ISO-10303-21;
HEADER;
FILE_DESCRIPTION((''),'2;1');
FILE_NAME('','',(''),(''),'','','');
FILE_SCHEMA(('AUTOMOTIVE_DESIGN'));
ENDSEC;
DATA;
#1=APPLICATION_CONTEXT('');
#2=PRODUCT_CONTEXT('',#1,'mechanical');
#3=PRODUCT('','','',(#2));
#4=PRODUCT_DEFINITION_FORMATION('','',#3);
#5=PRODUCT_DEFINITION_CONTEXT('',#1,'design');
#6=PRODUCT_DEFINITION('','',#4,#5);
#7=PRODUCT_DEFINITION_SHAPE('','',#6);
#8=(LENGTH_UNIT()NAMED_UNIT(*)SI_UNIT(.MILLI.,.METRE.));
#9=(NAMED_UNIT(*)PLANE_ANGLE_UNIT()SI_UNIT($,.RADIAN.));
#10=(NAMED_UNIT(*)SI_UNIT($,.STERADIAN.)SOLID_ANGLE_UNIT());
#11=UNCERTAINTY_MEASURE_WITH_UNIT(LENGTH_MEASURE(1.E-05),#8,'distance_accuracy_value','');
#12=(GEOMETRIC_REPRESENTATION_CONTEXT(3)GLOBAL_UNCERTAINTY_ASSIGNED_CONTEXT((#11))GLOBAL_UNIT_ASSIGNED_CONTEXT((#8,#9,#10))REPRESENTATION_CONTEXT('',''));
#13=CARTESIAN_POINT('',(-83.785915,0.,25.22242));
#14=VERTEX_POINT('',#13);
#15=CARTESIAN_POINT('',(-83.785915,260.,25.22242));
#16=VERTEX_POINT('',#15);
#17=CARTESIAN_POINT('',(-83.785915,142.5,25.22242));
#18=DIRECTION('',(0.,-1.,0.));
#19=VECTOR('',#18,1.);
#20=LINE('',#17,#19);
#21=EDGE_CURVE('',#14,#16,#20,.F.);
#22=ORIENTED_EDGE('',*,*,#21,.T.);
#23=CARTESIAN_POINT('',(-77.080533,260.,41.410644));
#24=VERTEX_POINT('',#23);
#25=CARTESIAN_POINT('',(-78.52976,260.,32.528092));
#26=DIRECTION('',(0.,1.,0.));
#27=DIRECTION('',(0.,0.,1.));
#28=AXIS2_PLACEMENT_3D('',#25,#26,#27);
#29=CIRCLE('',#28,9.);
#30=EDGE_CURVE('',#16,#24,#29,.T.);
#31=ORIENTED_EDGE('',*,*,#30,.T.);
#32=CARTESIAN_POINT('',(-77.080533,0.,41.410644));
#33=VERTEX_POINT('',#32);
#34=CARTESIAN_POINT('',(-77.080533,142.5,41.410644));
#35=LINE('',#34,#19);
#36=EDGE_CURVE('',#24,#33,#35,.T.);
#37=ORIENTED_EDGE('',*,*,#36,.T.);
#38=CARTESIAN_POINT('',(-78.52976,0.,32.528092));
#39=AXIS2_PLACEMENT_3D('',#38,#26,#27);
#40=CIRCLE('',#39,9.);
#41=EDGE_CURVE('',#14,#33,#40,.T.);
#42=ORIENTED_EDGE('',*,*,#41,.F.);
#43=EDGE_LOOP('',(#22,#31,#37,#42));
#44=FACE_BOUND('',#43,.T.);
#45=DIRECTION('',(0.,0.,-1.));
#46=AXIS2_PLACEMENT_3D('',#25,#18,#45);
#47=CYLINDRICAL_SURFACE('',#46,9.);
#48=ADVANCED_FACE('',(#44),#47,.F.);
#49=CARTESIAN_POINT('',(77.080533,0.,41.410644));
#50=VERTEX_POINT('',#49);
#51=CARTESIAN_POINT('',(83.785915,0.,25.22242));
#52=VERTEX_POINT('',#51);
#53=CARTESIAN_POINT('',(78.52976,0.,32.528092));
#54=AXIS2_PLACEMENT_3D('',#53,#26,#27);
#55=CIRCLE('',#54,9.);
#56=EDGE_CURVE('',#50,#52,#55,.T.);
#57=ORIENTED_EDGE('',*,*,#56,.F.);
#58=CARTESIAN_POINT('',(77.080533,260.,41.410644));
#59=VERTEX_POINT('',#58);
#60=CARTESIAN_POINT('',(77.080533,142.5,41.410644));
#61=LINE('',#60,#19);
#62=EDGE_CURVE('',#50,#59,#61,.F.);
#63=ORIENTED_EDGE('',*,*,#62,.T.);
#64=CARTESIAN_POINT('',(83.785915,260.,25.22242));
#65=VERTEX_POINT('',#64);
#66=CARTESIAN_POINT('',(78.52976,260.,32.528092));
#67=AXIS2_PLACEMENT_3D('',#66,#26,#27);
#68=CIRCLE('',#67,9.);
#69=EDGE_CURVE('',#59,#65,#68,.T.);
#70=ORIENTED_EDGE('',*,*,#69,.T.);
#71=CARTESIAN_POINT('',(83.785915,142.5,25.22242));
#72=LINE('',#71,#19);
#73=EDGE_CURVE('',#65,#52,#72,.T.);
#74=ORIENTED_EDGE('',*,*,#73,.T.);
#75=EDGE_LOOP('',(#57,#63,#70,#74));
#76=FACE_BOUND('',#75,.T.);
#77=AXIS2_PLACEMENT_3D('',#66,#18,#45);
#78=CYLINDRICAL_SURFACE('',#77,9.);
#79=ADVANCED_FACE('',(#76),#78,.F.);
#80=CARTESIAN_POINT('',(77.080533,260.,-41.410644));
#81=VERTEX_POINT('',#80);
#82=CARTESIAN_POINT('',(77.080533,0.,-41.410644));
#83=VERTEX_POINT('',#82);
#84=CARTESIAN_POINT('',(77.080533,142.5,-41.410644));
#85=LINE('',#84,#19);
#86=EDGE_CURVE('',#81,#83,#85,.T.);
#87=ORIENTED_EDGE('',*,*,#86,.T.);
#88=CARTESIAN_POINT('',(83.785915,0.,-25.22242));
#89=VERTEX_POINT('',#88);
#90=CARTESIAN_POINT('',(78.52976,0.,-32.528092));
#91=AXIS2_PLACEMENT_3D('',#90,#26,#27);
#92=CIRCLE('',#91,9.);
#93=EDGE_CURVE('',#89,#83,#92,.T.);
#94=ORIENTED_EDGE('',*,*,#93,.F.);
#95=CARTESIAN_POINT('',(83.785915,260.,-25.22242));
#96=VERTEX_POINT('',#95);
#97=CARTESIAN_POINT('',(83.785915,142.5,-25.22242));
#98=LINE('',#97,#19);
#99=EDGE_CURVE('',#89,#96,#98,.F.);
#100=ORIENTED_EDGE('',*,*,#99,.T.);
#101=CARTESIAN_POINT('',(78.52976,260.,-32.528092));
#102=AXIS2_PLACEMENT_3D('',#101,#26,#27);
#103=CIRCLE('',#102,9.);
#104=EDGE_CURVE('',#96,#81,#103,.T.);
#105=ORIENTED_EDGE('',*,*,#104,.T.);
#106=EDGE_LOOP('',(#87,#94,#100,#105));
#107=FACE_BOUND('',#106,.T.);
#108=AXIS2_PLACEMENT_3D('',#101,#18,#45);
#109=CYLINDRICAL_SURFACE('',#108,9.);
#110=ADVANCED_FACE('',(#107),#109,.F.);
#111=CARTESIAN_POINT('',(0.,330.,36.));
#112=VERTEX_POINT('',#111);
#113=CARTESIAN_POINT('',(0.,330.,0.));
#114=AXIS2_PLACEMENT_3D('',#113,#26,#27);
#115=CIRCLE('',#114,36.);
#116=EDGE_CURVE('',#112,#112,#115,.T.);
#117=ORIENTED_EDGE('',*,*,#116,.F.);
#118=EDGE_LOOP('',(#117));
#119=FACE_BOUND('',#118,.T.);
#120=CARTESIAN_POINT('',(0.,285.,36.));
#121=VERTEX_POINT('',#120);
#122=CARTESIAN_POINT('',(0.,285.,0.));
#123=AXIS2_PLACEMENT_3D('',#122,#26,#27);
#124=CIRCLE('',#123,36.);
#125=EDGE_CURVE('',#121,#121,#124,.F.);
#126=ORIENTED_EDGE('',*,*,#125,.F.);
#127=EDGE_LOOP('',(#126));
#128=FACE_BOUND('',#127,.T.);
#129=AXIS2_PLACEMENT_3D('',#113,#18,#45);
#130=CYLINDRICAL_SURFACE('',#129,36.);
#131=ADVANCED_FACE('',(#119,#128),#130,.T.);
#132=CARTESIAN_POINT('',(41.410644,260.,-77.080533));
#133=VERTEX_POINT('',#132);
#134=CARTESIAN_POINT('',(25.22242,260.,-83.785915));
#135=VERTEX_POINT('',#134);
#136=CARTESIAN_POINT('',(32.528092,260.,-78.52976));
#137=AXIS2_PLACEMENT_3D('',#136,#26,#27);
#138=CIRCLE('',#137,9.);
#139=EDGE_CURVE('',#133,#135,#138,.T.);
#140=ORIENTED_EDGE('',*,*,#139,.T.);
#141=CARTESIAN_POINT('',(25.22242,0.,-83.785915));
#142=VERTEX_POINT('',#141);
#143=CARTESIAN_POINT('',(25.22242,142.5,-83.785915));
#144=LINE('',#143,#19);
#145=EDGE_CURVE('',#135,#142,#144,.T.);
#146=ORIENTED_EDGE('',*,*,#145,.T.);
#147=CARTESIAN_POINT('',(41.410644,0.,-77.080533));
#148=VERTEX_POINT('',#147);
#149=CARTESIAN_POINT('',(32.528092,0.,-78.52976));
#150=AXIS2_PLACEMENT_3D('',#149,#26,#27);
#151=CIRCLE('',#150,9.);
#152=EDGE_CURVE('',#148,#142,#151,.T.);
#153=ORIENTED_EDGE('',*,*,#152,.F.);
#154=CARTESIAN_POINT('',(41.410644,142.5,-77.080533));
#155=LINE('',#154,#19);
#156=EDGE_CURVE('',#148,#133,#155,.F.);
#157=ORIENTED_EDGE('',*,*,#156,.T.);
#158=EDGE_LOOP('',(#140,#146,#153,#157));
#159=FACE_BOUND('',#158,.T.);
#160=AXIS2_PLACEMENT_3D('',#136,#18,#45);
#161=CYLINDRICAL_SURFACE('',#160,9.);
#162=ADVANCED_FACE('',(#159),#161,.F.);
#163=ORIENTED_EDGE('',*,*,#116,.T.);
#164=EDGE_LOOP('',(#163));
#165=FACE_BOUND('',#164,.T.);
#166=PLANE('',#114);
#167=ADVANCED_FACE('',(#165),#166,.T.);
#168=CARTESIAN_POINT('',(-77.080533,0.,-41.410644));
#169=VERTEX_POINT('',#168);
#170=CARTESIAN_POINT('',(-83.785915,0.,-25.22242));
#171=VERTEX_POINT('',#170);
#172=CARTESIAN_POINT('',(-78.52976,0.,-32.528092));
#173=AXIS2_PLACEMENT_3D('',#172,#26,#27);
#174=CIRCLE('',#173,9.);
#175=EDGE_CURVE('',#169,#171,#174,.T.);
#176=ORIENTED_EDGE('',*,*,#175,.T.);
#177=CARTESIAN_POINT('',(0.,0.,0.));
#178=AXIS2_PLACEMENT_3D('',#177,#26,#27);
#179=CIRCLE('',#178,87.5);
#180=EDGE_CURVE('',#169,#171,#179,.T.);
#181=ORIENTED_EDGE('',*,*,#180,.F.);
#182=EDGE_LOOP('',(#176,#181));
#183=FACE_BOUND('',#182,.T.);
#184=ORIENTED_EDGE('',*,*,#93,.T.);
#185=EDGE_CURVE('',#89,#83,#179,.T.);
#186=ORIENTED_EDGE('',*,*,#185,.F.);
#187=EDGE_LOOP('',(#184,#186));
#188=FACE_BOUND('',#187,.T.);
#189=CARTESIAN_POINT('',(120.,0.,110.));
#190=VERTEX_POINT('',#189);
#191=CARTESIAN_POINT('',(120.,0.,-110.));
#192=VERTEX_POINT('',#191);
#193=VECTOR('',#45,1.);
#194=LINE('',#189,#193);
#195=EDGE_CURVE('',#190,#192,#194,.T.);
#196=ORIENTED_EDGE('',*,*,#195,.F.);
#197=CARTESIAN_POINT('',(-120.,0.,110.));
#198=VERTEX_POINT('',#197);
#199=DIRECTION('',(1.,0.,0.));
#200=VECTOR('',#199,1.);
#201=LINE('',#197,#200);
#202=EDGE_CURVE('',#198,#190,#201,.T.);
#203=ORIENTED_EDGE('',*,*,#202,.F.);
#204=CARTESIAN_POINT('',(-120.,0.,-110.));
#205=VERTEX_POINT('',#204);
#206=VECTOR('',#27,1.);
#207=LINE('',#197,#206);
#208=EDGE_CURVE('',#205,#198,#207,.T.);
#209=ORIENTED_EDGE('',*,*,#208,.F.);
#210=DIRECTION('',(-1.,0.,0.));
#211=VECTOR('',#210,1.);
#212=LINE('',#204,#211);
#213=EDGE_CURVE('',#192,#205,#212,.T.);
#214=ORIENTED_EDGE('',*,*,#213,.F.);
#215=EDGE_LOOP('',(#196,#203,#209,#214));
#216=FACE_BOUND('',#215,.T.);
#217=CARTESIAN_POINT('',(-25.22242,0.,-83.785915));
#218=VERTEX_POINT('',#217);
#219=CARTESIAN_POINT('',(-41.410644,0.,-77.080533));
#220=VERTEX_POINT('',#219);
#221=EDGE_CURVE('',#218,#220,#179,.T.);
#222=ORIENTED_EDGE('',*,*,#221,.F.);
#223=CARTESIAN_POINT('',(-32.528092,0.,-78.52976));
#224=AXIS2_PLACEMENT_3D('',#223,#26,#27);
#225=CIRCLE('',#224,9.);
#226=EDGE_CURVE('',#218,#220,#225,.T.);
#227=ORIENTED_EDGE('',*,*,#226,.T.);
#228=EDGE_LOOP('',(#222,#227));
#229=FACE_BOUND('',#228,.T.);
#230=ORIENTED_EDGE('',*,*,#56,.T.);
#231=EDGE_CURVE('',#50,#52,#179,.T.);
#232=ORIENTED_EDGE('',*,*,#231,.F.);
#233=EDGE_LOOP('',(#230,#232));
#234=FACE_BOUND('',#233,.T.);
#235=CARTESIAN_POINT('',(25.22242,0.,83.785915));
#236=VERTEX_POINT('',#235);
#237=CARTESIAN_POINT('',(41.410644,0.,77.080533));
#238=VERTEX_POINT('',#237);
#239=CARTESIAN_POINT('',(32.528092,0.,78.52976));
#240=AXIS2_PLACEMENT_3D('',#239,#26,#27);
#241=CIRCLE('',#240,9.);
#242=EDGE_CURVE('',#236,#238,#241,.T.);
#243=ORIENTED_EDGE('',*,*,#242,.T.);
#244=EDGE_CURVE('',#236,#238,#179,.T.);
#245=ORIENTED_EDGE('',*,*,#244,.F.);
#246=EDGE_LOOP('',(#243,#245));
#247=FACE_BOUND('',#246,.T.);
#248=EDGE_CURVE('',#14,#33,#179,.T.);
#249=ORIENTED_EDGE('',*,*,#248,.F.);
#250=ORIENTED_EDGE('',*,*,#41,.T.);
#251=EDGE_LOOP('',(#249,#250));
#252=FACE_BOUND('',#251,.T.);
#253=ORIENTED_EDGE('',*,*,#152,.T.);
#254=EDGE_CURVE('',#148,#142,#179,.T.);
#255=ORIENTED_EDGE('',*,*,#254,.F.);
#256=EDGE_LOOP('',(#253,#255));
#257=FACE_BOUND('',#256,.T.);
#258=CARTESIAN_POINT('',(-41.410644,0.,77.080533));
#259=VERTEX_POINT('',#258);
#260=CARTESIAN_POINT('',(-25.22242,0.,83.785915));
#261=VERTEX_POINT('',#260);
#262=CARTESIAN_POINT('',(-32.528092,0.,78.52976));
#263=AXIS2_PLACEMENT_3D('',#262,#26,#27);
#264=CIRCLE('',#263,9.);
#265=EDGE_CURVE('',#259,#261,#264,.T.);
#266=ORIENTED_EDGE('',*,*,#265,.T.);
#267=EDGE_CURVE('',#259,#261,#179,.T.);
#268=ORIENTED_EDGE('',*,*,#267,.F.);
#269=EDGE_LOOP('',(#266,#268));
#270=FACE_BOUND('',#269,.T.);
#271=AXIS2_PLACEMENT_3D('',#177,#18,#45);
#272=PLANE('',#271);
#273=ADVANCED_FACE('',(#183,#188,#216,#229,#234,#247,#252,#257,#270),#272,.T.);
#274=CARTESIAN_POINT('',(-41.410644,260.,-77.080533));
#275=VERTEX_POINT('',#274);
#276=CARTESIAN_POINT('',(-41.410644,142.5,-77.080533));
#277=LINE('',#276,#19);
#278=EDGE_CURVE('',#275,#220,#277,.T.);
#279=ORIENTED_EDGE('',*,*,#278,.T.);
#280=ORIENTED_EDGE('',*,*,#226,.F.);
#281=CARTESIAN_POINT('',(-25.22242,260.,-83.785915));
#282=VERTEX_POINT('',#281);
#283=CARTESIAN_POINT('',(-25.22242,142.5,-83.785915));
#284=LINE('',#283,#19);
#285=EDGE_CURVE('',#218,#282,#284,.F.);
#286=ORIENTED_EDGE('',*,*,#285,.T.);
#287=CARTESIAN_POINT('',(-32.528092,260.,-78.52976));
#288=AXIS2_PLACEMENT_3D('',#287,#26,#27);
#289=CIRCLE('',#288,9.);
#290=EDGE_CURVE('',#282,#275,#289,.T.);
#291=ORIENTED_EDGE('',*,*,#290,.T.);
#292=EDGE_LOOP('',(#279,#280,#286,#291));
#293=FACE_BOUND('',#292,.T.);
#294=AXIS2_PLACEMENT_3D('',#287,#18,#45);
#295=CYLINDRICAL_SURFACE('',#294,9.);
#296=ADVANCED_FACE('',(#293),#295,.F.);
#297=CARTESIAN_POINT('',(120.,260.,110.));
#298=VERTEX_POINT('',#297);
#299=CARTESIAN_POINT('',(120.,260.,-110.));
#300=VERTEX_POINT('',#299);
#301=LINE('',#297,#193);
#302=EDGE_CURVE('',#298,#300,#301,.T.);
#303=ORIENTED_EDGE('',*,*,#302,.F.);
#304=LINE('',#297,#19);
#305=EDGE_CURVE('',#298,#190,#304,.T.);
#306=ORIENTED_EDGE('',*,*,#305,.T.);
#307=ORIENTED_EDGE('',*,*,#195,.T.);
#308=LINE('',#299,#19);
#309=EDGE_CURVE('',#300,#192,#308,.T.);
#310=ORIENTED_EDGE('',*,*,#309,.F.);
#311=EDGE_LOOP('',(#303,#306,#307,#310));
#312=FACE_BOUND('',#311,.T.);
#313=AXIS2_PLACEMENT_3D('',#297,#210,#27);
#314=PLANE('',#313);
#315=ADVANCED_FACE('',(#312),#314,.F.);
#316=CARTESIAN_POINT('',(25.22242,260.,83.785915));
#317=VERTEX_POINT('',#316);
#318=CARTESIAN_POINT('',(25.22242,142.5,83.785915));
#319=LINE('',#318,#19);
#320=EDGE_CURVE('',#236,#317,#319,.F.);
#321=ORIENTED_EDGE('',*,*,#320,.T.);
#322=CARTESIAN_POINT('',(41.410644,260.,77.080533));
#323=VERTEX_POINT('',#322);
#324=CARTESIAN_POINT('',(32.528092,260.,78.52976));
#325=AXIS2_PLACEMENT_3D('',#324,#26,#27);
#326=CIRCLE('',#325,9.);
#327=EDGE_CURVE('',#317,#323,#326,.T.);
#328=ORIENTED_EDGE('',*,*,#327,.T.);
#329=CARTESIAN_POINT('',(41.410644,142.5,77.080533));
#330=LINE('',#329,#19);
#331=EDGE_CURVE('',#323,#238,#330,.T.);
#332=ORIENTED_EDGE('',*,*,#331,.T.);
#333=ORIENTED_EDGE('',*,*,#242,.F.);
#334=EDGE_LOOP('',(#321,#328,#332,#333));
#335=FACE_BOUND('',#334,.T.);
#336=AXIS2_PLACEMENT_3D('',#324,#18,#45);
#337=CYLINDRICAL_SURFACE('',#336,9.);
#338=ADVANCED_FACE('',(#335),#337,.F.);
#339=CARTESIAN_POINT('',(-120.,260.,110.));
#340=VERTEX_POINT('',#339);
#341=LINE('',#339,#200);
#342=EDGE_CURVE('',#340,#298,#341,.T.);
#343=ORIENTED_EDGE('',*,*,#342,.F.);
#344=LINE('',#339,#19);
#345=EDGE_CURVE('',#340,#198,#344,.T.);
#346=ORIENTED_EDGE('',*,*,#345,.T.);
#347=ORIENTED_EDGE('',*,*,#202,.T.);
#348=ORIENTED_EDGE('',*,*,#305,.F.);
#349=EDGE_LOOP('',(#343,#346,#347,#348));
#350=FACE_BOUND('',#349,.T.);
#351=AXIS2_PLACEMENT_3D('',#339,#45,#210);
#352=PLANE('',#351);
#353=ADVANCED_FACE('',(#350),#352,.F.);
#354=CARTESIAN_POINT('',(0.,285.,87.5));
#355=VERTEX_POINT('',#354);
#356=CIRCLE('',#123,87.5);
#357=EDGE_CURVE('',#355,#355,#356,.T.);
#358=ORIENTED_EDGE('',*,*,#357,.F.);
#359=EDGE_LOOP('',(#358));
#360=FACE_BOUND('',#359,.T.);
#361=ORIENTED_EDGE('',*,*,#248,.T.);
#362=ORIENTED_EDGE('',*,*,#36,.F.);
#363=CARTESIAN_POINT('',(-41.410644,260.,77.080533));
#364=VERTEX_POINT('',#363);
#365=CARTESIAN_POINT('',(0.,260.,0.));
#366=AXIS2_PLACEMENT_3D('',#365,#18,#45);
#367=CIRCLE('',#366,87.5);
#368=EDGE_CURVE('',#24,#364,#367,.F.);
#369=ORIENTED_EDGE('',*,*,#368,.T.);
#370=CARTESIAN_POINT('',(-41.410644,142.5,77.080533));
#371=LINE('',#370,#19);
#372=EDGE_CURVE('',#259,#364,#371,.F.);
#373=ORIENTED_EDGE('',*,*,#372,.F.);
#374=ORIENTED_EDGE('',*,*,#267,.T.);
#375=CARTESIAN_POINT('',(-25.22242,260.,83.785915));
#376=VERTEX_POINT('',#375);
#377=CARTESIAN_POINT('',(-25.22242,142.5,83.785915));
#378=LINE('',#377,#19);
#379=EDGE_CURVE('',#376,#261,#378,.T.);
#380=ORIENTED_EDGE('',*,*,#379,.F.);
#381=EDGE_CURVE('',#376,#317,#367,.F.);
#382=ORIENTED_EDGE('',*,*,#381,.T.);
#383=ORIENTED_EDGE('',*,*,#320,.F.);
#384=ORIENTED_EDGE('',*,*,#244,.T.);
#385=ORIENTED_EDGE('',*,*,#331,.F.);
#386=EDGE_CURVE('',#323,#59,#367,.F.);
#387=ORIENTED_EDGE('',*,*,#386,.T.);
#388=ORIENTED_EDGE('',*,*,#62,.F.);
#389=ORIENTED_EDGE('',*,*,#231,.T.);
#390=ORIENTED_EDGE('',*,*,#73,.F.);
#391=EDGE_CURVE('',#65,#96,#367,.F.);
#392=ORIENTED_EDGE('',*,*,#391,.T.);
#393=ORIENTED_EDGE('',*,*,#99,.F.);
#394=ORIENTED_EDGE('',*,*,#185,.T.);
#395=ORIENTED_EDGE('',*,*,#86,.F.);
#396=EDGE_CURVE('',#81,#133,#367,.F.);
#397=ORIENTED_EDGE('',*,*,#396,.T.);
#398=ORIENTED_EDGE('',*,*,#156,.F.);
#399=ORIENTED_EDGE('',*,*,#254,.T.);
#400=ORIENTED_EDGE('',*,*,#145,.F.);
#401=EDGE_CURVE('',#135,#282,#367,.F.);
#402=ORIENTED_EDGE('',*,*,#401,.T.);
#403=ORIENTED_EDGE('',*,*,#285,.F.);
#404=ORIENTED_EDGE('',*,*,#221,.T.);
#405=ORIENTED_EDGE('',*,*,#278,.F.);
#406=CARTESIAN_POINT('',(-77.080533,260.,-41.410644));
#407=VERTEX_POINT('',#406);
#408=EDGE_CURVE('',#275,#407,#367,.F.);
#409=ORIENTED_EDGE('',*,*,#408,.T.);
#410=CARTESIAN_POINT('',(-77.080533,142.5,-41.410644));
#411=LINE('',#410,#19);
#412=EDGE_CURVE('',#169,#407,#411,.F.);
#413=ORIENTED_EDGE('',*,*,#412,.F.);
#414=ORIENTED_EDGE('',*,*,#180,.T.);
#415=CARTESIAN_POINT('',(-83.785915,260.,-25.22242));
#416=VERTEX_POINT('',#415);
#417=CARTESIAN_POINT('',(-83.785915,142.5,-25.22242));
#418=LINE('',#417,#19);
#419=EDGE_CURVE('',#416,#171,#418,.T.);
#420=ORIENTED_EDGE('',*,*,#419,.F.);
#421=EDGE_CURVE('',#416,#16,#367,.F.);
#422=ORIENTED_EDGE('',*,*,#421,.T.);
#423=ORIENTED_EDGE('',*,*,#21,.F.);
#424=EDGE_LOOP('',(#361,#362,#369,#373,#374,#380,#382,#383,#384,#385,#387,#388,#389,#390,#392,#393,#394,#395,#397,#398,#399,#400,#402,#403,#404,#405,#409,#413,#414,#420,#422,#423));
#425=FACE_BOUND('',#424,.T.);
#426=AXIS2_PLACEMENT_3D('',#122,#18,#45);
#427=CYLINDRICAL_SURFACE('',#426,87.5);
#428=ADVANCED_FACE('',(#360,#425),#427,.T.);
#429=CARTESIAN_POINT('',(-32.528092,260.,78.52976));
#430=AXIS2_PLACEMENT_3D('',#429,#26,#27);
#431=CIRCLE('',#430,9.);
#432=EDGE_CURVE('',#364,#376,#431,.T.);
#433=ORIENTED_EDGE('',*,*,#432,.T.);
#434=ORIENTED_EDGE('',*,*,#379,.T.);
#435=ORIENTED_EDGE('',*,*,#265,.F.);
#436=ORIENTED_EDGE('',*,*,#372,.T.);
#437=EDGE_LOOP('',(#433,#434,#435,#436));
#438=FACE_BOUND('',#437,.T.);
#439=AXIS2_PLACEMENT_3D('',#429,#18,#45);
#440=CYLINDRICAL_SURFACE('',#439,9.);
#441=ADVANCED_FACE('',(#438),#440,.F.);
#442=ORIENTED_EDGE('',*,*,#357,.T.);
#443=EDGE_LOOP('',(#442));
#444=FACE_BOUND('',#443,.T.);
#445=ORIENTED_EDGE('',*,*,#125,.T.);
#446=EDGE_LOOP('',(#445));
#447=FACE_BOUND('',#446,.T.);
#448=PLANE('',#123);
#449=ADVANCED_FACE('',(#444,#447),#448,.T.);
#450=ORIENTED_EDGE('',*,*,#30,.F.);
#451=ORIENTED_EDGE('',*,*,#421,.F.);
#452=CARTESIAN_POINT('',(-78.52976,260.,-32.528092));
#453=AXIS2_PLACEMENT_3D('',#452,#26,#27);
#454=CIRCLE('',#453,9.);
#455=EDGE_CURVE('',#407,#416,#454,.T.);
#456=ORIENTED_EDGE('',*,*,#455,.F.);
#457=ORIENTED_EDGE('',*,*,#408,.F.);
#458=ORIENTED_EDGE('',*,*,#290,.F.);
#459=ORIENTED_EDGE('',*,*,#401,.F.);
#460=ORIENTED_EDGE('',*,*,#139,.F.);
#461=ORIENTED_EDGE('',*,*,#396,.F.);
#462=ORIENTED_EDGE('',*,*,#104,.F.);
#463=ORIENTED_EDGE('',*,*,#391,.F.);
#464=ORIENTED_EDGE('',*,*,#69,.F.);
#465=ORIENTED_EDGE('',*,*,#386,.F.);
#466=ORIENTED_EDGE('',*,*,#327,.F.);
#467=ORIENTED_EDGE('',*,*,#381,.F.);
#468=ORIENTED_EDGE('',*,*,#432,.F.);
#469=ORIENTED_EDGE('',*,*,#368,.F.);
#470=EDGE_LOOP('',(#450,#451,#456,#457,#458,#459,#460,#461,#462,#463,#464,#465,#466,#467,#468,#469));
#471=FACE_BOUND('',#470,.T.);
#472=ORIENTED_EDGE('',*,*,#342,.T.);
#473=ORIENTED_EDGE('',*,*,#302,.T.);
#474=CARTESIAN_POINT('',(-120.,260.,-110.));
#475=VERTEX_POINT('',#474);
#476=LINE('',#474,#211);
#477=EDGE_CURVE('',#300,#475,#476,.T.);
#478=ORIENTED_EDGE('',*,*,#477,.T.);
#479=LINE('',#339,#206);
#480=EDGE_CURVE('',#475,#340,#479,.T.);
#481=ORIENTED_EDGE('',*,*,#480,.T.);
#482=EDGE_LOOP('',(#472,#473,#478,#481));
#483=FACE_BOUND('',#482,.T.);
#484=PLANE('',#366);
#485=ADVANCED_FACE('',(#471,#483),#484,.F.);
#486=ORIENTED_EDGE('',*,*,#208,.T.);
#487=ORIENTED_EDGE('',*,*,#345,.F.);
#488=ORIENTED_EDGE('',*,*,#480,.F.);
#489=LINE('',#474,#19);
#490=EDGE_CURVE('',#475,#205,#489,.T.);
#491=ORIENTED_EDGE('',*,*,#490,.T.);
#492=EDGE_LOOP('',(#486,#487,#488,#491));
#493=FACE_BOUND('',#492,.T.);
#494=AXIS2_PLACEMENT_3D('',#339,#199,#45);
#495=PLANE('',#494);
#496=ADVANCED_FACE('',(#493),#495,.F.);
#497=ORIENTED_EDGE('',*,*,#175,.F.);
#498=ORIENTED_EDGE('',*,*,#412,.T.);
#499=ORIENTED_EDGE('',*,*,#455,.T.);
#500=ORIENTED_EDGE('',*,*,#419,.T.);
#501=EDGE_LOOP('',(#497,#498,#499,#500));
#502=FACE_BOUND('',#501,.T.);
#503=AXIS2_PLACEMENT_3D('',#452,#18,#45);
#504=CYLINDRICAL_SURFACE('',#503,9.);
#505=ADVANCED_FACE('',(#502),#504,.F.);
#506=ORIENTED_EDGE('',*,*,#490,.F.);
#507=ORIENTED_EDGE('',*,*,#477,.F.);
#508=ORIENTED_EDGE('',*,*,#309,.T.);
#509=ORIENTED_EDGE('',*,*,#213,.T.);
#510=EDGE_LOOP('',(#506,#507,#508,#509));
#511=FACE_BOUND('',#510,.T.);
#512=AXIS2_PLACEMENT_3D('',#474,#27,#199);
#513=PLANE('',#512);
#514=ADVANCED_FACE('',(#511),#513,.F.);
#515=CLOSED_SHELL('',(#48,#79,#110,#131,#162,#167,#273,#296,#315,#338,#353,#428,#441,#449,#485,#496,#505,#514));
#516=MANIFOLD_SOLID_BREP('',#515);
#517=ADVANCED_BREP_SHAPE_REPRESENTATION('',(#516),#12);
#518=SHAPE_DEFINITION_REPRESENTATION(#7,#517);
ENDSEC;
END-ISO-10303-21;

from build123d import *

# Parameters (mm, degrees)
F_01_HOUSING_PROFILE_W        = 240
F_01_HOUSING_PROFILE_H        = 220
F_01_HOUSING_PROFILE_R        = 9
F_01_HOUSING_BLOCK_DEPTH      = 260
F_02_FACE_BOSS_PROFILE_R      = 87.5
F_02_FACE_LOCATING_BOSS_DEPTH = 285
F_03_OUTPUT_SHAFT_PROFILE_R   = 36
F_03_OUTPUT_SHAFT_DEPTH       = 330


with BuildPart() as part:
    # 01_Housing_Profile → 01_Housing_Block (new body)
    with BuildSketch(Plane(origin=(0, 0, 0), x_dir=(1, 0, 0), z_dir=(0, 1, 0))):
        Rectangle(F_01_HOUSING_PROFILE_W, F_01_HOUSING_PROFILE_H)
        with Locations(Location((78.529760263, 32.528091751, 0), (0, 0, 270))):
            Circle(F_01_HOUSING_PROFILE_R, mode=Mode.SUBTRACT)
        with Locations(Location((32.528091751, 78.529760263, 0), (0, 0, 270))):
            Circle(F_01_HOUSING_PROFILE_R, mode=Mode.SUBTRACT)
        with Locations(Location((-32.528091751, 78.529760263, 0), (0, 0, 270))):
            Circle(F_01_HOUSING_PROFILE_R, mode=Mode.SUBTRACT)
        with Locations(Location((-78.529760263, 32.528091751, 0), (0, 0, 270))):
            Circle(F_01_HOUSING_PROFILE_R, mode=Mode.SUBTRACT)
        with Locations(Location((-78.529760263, -32.528091751, 0), (0, 0, 270))):
            Circle(F_01_HOUSING_PROFILE_R, mode=Mode.SUBTRACT)
        with Locations(Location((-32.528091751, -78.529760263, 0), (0, 0, 270))):
            Circle(F_01_HOUSING_PROFILE_R, mode=Mode.SUBTRACT)
        with Locations(Location((32.528091751, -78.529760263, 0), (0, 0, 270))):
            Circle(F_01_HOUSING_PROFILE_R, mode=Mode.SUBTRACT)
        with Locations(Location((78.529760263, -32.528091751, 0), (0, 0, 270))):
            Circle(F_01_HOUSING_PROFILE_R, mode=Mode.SUBTRACT)
    extrude(amount=F_01_HOUSING_BLOCK_DEPTH)

    # 02_Face_Boss_Profile → 02_Face_Locating_Boss (add)
    with BuildSketch(Plane(origin=(0, 0, 0), x_dir=(1, 0, 0), z_dir=(0, 1, 0))):
        with Locations(Location((0, 0, 0), (0, 0, 73.24641223))):
            Circle(F_02_FACE_BOSS_PROFILE_R)
    extrude(amount=F_02_FACE_LOCATING_BOSS_DEPTH)

    # 03_Output_Shaft_Profile → 03_Output_Shaft (add)
    with BuildSketch(Plane(origin=(0, 0, 0), x_dir=(1, 0, 0), z_dir=(0, 1, 0))):
        with Locations(Location((0, 0, 0), (0, 0, 270))):
            Circle(F_03_OUTPUT_SHAFT_PROFILE_R)
    extrude(amount=F_03_OUTPUT_SHAFT_DEPTH)


solid = part.part
